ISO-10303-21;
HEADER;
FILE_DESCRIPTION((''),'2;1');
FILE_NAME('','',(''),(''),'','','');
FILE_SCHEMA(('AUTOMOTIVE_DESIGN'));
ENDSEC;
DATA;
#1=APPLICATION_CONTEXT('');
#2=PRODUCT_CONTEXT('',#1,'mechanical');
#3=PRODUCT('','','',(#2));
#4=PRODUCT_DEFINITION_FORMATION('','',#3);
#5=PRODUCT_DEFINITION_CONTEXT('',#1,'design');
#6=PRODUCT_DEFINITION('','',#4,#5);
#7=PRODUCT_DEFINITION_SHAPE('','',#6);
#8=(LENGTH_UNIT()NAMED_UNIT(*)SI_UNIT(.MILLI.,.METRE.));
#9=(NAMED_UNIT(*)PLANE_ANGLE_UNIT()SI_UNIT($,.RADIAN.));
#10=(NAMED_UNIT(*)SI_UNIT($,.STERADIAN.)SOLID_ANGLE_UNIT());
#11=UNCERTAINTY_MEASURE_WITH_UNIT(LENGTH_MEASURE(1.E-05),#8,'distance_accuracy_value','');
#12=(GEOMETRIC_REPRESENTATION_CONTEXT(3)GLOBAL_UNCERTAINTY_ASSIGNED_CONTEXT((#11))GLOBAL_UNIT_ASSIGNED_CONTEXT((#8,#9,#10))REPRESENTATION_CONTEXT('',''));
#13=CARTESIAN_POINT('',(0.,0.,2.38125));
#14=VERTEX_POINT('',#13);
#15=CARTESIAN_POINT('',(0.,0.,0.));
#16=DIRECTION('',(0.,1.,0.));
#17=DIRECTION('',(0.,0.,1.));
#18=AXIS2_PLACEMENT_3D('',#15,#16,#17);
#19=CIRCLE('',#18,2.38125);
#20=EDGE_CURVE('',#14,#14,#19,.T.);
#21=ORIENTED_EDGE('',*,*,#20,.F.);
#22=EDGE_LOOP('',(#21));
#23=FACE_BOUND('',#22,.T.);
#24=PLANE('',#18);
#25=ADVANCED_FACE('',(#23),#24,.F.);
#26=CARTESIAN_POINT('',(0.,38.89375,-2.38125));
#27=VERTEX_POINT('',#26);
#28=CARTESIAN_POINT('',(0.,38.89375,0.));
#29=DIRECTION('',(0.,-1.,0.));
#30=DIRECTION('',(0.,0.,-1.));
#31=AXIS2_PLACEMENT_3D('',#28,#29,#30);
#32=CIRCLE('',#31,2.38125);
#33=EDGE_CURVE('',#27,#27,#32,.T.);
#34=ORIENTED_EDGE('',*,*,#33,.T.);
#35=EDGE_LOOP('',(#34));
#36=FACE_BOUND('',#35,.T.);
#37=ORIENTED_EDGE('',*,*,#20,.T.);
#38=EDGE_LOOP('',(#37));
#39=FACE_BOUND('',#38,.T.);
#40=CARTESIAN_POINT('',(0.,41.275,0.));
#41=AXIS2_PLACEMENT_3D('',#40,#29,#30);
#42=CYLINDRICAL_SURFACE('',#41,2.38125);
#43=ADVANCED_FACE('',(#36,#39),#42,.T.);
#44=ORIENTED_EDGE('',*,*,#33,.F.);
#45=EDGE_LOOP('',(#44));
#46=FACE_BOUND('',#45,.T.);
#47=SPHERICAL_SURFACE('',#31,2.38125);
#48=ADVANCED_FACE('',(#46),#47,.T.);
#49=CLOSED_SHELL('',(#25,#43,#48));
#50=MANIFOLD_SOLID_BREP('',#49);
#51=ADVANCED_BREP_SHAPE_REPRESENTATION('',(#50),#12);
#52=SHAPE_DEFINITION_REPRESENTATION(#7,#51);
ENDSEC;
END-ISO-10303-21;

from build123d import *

# Parameters (mm, degrees)
SKETCH1_R      = 2.38125
EXTRUDE1_DEPTH = 41.275
FILLET1_R      = 2.38125


with BuildPart() as part:
    # Sketch1 → Extrude1 (new body)
    with BuildSketch(Plane(origin=(0, 0, 0), x_dir=(1, 0, 0), z_dir=(0, 1, 0))):
        with Locations(Location((0, 0, 0), (0, 0, 270))):
            Circle(SKETCH1_R)
    extrude(amount=EXTRUDE1_DEPTH)

    # Fillet1
    fillet1_edges = [part.edges().sort_by_distance(p)[0] for p in [
        (0, 41.275, -2.38125),
    ]]
    fillet(fillet1_edges, radius=FILLET1_R)


solid = part.part
